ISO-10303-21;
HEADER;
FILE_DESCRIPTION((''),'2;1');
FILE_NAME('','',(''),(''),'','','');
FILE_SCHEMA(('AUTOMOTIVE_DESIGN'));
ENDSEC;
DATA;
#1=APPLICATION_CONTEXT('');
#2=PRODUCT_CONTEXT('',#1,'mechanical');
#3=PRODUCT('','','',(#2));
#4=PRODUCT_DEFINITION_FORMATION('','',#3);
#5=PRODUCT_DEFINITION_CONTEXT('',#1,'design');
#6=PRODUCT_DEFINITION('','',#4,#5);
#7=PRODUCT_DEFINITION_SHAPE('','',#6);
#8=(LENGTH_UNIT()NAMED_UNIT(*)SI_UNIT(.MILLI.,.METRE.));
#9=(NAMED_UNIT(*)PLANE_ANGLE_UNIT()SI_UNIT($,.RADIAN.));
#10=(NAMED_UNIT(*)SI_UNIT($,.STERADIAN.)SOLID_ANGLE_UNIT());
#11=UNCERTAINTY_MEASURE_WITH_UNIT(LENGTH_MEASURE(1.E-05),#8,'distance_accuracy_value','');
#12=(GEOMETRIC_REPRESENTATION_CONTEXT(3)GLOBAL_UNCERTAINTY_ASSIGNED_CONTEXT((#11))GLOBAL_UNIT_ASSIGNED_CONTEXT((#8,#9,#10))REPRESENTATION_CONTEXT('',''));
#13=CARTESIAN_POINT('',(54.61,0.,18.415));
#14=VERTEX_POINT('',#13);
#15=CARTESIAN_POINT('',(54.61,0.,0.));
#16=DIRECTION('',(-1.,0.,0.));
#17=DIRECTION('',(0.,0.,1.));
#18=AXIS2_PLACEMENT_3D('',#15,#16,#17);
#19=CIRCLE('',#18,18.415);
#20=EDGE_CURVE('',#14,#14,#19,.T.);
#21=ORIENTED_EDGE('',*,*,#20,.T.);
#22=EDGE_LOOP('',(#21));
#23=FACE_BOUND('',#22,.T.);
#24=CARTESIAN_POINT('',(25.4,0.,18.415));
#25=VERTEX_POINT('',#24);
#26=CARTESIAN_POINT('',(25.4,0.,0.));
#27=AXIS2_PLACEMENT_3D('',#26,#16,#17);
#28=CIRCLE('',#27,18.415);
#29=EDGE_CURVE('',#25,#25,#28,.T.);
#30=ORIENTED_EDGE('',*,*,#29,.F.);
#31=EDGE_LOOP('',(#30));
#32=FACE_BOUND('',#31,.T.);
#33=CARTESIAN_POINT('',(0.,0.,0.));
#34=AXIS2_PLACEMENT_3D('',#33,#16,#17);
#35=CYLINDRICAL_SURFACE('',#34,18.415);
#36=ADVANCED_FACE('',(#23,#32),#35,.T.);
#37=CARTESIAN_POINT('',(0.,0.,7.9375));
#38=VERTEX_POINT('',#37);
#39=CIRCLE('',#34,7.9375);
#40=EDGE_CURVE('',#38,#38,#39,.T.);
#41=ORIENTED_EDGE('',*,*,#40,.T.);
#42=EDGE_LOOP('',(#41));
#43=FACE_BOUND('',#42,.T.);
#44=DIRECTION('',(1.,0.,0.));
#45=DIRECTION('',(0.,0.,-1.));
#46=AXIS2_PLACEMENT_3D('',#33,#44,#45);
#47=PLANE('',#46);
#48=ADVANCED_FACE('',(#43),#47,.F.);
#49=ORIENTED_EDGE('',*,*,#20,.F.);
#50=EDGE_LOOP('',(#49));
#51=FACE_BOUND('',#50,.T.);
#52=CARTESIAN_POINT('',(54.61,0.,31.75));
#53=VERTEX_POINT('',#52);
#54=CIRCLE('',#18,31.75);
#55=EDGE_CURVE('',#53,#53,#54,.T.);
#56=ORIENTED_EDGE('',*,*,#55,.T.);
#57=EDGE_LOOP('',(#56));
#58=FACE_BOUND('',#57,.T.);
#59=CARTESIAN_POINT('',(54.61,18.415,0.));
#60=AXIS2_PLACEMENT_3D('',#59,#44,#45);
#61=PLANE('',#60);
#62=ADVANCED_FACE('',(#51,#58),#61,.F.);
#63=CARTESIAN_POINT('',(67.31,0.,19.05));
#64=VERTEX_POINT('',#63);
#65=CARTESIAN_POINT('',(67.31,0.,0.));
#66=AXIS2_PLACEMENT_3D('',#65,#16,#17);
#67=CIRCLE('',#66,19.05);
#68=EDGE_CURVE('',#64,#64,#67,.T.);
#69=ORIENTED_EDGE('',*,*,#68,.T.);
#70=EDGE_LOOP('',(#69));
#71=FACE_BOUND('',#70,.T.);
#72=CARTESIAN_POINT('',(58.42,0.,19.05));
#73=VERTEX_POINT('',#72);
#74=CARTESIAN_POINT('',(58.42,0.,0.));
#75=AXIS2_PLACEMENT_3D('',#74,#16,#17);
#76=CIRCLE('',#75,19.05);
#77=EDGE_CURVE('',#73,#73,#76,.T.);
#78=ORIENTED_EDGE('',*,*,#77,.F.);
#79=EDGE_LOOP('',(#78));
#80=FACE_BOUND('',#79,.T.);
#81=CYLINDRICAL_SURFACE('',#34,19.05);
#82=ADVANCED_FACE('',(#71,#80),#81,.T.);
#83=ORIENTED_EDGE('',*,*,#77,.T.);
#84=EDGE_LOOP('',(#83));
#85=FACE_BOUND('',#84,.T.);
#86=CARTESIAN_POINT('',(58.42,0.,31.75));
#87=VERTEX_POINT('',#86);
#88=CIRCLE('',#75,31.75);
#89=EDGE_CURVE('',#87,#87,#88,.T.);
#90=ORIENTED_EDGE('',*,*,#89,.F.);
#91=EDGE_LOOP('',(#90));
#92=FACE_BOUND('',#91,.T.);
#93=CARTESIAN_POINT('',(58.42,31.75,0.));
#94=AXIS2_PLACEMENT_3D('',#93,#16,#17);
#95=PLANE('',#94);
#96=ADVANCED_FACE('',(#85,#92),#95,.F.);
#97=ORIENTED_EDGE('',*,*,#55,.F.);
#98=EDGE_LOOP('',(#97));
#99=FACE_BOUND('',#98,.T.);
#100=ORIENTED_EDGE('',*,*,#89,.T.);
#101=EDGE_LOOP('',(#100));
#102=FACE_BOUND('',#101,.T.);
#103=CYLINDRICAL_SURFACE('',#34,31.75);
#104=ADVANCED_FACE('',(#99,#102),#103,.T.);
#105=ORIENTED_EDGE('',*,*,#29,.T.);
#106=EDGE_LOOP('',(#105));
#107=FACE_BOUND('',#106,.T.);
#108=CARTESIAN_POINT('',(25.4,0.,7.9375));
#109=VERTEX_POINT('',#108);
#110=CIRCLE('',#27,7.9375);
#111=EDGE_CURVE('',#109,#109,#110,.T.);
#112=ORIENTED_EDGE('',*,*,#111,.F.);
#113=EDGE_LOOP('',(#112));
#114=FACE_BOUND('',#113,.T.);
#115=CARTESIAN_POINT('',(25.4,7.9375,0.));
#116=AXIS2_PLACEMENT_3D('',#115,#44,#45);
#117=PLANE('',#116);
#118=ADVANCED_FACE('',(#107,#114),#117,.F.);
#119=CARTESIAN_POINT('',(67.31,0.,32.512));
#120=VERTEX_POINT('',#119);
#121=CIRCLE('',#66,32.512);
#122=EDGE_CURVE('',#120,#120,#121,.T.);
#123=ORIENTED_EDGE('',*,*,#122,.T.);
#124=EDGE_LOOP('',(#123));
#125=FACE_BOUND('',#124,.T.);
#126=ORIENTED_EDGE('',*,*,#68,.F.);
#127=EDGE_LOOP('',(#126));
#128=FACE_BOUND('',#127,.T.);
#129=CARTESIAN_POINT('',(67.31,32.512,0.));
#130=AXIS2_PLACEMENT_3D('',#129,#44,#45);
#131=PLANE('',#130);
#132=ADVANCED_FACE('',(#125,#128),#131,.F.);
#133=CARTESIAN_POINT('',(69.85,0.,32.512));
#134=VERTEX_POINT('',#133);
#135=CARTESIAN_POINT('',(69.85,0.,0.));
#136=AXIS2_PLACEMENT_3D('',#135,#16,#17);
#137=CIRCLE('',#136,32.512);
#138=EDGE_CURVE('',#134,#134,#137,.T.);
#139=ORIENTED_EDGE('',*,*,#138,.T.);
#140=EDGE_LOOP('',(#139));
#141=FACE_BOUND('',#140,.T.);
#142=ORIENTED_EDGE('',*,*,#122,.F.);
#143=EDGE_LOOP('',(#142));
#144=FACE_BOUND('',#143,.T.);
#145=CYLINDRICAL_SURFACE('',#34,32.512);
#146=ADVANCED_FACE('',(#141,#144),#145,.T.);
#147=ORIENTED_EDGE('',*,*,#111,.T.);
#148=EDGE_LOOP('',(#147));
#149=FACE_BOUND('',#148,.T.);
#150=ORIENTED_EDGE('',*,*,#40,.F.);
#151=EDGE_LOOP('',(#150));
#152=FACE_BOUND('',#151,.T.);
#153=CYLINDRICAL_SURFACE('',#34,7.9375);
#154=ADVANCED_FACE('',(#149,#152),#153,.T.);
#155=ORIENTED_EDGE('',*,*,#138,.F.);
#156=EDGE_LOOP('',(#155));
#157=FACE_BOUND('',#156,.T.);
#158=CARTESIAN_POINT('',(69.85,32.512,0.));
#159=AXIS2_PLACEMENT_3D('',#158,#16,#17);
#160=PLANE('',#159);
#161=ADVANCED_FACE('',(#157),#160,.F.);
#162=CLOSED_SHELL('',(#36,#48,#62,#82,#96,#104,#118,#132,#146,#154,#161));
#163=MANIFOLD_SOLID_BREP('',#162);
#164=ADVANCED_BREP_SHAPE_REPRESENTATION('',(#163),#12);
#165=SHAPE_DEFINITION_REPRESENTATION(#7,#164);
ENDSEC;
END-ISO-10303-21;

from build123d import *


with BuildPart() as part:
    # Sketch1 → Revolve7 (revolve)
    with BuildSketch(Plane.XY, mode=Mode.PRIVATE) as revolve7_sk:
        Polygon((0, 0), (0, 7.9375), (25.4, 7.9375), (25.4, 18.415), (54.61, 18.415), (54.61, 31.75), (58.42, 31.75), (58.42, 19.05), (67.31, 19.05), (67.31, 32.512), (69.85, 32.512), (69.85, 0), align=None)
    revolve(revolve7_sk.sketch.rotate(Axis((0, 0, 0), (1, 0, 0)), 90), axis=Axis((0, 0, 0), (1, 0, 0)))


solid = part.part
